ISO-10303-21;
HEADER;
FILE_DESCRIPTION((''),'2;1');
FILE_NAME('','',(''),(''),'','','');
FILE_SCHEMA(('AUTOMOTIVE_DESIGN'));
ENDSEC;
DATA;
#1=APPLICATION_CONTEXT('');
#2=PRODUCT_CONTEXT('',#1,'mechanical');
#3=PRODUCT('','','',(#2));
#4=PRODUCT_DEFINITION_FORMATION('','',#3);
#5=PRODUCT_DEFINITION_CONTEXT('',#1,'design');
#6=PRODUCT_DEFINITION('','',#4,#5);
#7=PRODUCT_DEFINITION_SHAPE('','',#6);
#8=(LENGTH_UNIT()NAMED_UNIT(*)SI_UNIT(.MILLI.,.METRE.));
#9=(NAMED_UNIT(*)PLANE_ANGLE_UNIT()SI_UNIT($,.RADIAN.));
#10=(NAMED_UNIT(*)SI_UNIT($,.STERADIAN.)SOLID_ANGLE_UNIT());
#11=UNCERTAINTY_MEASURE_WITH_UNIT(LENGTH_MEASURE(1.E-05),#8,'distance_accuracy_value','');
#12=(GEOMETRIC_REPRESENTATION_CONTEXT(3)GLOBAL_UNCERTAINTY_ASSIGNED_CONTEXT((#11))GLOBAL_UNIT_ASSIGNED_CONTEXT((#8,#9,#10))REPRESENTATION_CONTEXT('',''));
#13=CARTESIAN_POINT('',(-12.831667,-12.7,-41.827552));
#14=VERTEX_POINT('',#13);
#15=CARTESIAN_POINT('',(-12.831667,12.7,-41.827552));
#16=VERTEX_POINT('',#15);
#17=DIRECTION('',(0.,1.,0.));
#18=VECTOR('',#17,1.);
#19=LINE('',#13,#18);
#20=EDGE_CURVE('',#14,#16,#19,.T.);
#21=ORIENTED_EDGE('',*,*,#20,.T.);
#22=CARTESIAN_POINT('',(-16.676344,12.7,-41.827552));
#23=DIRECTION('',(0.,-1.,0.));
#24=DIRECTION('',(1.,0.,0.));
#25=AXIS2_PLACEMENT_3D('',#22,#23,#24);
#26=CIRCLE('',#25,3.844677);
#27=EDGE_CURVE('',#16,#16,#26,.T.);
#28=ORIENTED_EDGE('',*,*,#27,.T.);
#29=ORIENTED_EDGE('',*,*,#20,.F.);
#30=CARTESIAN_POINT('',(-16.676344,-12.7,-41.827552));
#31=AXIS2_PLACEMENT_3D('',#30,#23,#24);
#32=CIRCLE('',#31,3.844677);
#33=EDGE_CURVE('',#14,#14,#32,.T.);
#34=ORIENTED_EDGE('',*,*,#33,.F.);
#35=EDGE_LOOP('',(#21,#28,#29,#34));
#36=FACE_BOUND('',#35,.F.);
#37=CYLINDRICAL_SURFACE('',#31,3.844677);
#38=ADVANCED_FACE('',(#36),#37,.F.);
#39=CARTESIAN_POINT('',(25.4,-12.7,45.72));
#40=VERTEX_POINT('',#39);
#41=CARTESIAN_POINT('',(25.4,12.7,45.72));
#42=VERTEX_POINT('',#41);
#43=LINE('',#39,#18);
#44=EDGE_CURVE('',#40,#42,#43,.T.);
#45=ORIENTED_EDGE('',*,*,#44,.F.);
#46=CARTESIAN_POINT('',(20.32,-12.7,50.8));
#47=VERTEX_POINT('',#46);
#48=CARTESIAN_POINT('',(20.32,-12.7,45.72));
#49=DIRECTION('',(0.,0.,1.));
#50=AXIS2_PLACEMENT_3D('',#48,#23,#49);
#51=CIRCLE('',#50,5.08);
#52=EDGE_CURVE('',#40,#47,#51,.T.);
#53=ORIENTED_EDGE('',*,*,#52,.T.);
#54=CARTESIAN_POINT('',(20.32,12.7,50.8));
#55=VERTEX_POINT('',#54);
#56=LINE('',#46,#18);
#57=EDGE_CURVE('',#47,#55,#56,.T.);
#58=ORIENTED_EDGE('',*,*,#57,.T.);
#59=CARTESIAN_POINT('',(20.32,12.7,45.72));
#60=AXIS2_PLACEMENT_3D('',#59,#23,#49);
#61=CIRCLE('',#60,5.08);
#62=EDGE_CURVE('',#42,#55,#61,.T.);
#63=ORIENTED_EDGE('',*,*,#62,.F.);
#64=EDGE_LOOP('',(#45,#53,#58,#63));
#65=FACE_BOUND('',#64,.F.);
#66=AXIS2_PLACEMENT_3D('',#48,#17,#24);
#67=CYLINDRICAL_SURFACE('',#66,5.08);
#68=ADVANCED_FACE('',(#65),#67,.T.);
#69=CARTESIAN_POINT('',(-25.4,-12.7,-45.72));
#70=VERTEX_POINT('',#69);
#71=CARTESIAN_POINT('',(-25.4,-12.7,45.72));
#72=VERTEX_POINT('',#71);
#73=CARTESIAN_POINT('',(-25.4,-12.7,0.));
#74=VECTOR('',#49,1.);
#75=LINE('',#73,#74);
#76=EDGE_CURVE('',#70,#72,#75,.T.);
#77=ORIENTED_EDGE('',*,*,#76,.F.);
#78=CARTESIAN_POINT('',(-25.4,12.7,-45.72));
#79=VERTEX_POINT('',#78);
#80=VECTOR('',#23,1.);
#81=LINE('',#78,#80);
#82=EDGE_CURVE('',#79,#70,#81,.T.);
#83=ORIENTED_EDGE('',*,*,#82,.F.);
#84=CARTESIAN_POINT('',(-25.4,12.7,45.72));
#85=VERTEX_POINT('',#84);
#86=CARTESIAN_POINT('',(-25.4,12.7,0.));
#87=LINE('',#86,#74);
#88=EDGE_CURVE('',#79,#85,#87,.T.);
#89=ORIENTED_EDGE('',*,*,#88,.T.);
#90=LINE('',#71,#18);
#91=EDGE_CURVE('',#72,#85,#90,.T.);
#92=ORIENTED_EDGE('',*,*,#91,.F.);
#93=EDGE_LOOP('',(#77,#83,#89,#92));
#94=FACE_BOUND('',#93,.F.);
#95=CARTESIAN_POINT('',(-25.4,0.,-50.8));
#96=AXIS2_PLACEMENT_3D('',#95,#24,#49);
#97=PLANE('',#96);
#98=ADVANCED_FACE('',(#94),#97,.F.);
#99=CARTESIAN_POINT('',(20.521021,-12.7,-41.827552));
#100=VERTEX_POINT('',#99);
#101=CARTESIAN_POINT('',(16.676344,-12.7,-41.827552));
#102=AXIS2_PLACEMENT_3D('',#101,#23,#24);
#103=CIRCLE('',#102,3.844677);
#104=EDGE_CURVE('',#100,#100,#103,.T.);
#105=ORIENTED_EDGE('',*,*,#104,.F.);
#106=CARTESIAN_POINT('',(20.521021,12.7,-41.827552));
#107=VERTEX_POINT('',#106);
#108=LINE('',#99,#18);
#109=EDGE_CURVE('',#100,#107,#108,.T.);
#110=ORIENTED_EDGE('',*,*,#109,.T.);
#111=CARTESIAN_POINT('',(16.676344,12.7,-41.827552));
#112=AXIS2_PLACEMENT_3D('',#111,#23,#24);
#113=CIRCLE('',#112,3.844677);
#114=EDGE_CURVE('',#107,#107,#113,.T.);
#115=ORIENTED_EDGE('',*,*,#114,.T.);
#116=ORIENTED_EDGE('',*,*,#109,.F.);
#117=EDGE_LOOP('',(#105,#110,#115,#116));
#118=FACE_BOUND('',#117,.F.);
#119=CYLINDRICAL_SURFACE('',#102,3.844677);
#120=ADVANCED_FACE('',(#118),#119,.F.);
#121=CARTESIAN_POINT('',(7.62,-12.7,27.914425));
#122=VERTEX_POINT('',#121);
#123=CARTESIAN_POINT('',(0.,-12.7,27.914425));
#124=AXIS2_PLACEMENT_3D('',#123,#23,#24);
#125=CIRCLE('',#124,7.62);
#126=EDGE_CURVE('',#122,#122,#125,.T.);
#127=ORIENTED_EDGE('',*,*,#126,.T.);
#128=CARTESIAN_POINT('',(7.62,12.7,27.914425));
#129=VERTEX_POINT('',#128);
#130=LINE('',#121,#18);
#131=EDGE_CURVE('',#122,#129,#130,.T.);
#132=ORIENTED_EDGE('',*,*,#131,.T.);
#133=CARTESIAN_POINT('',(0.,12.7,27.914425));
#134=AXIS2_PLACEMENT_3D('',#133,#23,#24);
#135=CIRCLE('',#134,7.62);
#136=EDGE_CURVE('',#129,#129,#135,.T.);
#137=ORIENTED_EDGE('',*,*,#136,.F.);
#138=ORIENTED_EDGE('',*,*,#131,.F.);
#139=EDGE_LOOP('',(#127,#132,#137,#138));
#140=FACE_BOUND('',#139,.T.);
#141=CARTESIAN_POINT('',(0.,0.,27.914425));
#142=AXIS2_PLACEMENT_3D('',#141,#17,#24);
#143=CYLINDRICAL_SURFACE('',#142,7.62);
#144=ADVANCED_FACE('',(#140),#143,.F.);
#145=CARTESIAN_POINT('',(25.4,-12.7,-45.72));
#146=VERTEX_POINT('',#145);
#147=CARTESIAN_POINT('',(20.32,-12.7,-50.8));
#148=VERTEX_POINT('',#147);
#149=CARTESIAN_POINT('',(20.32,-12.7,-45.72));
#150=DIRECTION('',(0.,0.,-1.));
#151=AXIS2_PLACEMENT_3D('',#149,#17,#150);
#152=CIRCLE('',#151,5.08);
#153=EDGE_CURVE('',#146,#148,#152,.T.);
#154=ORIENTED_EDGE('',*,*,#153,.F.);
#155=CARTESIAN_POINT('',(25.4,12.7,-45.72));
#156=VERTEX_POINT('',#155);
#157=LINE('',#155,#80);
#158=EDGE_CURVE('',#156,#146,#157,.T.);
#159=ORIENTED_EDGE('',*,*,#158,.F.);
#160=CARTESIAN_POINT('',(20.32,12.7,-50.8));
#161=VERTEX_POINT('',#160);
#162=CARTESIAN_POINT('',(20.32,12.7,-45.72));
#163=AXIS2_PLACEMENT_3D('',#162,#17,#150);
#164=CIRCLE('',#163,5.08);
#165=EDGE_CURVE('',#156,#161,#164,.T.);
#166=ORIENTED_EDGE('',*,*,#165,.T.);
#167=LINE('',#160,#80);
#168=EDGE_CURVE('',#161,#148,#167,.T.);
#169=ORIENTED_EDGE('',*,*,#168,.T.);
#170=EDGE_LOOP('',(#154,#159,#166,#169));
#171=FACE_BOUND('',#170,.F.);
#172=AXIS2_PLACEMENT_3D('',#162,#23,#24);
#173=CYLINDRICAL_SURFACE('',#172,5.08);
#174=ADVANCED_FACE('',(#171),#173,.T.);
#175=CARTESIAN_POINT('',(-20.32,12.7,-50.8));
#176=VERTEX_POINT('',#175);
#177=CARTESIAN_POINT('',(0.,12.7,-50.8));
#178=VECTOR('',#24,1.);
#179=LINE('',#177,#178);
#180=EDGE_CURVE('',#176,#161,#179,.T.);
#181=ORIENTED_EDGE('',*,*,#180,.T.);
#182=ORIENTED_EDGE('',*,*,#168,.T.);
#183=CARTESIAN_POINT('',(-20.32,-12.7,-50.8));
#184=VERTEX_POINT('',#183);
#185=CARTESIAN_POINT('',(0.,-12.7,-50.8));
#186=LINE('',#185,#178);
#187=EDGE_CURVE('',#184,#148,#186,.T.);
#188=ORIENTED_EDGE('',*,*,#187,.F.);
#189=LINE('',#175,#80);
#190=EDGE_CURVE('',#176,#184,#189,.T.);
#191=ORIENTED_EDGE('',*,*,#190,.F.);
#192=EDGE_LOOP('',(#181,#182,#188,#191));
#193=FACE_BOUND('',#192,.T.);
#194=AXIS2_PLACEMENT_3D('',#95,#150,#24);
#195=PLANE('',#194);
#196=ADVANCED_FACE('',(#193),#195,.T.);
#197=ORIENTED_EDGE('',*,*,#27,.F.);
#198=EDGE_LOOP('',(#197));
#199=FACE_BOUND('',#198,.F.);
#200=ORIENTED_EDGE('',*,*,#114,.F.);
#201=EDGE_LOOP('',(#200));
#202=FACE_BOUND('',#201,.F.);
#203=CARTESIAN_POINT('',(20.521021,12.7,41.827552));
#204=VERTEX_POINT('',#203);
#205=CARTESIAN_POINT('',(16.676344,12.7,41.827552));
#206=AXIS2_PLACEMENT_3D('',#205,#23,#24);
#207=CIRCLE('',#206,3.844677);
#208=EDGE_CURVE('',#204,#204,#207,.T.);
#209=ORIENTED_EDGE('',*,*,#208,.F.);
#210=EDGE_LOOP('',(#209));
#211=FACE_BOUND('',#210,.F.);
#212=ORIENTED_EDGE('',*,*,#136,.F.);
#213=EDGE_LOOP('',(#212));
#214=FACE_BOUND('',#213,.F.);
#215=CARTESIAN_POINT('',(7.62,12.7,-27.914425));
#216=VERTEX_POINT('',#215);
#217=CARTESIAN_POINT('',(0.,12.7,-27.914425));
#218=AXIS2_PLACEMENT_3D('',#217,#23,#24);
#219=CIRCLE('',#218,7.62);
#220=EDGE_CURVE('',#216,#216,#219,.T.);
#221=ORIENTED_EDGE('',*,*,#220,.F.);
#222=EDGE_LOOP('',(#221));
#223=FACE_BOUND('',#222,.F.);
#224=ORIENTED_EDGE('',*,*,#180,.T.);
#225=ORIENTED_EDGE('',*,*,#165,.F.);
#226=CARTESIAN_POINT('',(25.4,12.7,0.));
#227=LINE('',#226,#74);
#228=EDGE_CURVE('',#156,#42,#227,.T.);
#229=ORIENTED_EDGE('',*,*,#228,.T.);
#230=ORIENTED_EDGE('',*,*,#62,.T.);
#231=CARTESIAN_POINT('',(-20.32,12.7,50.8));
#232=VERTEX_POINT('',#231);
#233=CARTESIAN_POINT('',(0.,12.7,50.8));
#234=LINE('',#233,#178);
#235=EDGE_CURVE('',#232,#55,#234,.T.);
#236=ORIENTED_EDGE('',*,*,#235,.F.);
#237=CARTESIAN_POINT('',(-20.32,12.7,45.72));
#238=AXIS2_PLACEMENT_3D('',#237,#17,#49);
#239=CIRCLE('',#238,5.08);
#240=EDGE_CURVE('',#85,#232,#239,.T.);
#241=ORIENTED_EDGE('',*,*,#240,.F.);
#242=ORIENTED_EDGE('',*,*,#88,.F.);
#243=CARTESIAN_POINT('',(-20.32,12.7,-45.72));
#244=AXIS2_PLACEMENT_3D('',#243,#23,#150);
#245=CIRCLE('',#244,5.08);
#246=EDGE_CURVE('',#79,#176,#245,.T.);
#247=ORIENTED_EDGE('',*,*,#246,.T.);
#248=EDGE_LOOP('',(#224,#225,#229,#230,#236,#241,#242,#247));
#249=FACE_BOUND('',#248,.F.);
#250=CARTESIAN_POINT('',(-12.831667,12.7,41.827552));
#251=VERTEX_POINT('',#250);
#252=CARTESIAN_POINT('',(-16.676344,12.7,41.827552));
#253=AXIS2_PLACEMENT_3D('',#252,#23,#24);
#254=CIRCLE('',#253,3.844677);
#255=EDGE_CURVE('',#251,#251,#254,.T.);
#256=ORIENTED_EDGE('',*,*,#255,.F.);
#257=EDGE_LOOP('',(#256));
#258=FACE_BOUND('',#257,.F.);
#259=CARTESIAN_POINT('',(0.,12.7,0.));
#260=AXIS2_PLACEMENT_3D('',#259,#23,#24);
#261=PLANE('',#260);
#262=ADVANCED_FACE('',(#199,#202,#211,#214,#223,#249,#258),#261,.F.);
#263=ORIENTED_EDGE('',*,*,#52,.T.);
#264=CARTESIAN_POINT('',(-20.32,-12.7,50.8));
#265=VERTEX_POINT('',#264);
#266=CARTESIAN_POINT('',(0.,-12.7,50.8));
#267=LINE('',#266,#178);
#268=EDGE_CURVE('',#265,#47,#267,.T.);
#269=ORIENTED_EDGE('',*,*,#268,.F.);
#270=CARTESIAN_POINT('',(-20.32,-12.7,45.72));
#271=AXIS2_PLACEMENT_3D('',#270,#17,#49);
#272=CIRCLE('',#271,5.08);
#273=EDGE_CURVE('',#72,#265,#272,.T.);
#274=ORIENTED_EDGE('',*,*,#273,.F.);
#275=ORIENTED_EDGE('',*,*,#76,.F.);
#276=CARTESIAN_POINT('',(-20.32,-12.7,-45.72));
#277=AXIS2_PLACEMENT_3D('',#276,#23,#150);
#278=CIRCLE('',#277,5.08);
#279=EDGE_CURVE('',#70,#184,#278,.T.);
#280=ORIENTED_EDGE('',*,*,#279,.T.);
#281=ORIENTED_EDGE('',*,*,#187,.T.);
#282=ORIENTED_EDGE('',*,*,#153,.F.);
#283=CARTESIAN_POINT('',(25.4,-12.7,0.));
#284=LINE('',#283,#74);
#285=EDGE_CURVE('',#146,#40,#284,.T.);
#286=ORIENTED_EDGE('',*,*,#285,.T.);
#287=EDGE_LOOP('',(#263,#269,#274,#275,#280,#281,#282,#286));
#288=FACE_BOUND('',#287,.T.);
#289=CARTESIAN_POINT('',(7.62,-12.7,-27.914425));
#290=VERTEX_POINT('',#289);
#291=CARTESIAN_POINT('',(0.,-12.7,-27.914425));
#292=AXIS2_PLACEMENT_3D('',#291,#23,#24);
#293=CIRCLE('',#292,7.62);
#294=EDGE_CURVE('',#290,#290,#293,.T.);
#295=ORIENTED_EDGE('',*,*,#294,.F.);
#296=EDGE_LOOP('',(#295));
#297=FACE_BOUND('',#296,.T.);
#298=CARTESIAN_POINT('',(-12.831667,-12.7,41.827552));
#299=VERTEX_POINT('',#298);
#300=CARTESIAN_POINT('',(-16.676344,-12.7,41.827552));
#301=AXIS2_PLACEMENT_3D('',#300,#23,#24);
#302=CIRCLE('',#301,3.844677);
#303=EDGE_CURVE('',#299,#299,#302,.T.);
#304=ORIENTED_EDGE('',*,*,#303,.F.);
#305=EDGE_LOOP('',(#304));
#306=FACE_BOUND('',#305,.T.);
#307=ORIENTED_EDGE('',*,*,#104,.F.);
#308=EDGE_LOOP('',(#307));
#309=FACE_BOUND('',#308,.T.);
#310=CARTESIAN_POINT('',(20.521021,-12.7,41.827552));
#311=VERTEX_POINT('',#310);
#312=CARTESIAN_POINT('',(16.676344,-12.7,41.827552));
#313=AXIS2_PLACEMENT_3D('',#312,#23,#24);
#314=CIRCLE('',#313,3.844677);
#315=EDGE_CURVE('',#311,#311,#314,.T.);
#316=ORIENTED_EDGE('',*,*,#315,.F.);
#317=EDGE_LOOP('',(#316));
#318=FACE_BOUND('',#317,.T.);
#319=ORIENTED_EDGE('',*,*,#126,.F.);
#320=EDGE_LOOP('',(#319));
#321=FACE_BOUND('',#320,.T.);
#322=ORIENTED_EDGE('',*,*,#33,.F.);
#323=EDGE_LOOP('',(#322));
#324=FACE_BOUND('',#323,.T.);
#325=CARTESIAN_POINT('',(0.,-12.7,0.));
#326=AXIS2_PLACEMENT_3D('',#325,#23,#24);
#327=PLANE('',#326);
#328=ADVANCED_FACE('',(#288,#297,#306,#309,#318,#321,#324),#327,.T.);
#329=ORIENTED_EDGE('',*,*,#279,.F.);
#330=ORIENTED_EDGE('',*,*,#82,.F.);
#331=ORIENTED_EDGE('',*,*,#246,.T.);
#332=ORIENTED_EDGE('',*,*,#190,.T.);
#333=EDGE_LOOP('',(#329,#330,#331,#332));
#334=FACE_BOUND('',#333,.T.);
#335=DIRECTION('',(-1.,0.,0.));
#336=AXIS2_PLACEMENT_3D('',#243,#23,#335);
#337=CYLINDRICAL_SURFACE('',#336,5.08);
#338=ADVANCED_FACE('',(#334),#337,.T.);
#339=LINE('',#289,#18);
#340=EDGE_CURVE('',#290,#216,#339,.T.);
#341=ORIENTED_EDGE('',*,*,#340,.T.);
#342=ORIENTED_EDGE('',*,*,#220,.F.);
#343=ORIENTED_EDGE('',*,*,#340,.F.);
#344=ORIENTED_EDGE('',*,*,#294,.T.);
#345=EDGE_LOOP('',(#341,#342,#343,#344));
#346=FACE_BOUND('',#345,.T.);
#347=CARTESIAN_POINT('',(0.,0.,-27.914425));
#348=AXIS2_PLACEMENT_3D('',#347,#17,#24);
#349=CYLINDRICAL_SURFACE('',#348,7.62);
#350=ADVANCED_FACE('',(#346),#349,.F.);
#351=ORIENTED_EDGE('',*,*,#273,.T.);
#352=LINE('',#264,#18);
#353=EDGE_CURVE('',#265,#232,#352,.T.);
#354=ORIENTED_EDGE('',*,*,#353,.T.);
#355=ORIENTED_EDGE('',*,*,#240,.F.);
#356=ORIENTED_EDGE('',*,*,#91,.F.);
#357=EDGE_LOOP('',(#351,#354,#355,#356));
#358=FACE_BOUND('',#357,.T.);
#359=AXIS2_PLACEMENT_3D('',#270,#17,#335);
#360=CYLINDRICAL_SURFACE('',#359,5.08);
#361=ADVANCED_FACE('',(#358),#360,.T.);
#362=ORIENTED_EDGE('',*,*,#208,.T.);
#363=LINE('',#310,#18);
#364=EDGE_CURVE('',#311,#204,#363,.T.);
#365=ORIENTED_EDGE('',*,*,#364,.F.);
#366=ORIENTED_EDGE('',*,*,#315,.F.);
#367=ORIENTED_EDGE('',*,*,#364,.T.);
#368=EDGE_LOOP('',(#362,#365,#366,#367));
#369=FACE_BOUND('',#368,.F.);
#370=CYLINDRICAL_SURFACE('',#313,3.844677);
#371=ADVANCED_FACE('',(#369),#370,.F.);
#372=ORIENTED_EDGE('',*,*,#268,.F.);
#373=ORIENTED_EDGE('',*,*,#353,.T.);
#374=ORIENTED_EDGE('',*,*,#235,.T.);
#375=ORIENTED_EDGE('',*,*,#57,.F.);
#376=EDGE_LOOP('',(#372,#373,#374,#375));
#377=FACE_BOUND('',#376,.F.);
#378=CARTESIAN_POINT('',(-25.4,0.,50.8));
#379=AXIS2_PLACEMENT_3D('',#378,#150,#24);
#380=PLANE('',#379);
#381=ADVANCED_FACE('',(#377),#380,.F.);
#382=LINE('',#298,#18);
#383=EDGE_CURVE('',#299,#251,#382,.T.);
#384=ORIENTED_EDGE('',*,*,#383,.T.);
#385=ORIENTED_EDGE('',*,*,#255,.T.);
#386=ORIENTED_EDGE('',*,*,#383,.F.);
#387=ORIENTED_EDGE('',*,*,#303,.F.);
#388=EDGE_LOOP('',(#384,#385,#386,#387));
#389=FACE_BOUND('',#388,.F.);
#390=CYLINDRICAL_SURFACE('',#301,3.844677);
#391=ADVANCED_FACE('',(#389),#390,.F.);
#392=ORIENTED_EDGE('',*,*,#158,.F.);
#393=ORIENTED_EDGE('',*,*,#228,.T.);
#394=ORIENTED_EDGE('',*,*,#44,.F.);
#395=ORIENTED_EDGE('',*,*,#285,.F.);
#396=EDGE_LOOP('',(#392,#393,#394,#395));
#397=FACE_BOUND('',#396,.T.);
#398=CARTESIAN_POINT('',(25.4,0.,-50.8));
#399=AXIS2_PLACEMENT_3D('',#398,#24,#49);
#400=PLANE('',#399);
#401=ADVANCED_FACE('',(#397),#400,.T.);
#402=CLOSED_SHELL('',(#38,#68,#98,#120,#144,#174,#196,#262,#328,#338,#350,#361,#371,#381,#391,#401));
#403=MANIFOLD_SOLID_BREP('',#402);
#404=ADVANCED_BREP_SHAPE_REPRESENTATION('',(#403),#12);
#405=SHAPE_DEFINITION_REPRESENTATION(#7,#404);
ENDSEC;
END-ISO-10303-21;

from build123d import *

# Parameters (mm, degrees)
F0_W     = 50.8
F0_H     = 101.6
F0_R     = 7.62
F1_DEPTH = 12.7
F2_R     = 5.08
F3_R     = 3.844677
F4_DEPTH = 25.4


with BuildPart() as f1:
    # F0 (on Front) → F1 (new body, symmetric)
    with BuildSketch(Plane.XZ):
        Rectangle(F0_W, F0_H)
        with Locations((0, -27.914425)):
            Circle(F0_R, mode=Mode.SUBTRACT)
        with Locations((0, 27.914425)):
            Circle(F0_R, mode=Mode.SUBTRACT)
    extrude(amount=F1_DEPTH, both=True)

    # F2
    f2_edges = [f1.edges().sort_by_distance(p)[0] for p in [
        (25.4, 0, 50.8),
        (25.4, 0, -50.8),
        (-25.4, 0, -50.8),
        (-25.4, 0, 50.8),
    ]]
    fillet(f2_edges, radius=F2_R)

    # F3 (on face) → F4 (cut)
    with BuildSketch(Plane.XZ.offset(12.7)):
        with Locations((-16.676344, 41.827552)):
            Circle(F3_R)
        with Locations((16.676344, 41.827552)):
            Circle(F3_R)
        with Locations((-16.676344, -41.827552)):
            Circle(F3_R)
        with Locations((16.676344, -41.827552)):
            Circle(F3_R)
    extrude(amount=-F4_DEPTH, mode=Mode.SUBTRACT)


solid = f1.part
